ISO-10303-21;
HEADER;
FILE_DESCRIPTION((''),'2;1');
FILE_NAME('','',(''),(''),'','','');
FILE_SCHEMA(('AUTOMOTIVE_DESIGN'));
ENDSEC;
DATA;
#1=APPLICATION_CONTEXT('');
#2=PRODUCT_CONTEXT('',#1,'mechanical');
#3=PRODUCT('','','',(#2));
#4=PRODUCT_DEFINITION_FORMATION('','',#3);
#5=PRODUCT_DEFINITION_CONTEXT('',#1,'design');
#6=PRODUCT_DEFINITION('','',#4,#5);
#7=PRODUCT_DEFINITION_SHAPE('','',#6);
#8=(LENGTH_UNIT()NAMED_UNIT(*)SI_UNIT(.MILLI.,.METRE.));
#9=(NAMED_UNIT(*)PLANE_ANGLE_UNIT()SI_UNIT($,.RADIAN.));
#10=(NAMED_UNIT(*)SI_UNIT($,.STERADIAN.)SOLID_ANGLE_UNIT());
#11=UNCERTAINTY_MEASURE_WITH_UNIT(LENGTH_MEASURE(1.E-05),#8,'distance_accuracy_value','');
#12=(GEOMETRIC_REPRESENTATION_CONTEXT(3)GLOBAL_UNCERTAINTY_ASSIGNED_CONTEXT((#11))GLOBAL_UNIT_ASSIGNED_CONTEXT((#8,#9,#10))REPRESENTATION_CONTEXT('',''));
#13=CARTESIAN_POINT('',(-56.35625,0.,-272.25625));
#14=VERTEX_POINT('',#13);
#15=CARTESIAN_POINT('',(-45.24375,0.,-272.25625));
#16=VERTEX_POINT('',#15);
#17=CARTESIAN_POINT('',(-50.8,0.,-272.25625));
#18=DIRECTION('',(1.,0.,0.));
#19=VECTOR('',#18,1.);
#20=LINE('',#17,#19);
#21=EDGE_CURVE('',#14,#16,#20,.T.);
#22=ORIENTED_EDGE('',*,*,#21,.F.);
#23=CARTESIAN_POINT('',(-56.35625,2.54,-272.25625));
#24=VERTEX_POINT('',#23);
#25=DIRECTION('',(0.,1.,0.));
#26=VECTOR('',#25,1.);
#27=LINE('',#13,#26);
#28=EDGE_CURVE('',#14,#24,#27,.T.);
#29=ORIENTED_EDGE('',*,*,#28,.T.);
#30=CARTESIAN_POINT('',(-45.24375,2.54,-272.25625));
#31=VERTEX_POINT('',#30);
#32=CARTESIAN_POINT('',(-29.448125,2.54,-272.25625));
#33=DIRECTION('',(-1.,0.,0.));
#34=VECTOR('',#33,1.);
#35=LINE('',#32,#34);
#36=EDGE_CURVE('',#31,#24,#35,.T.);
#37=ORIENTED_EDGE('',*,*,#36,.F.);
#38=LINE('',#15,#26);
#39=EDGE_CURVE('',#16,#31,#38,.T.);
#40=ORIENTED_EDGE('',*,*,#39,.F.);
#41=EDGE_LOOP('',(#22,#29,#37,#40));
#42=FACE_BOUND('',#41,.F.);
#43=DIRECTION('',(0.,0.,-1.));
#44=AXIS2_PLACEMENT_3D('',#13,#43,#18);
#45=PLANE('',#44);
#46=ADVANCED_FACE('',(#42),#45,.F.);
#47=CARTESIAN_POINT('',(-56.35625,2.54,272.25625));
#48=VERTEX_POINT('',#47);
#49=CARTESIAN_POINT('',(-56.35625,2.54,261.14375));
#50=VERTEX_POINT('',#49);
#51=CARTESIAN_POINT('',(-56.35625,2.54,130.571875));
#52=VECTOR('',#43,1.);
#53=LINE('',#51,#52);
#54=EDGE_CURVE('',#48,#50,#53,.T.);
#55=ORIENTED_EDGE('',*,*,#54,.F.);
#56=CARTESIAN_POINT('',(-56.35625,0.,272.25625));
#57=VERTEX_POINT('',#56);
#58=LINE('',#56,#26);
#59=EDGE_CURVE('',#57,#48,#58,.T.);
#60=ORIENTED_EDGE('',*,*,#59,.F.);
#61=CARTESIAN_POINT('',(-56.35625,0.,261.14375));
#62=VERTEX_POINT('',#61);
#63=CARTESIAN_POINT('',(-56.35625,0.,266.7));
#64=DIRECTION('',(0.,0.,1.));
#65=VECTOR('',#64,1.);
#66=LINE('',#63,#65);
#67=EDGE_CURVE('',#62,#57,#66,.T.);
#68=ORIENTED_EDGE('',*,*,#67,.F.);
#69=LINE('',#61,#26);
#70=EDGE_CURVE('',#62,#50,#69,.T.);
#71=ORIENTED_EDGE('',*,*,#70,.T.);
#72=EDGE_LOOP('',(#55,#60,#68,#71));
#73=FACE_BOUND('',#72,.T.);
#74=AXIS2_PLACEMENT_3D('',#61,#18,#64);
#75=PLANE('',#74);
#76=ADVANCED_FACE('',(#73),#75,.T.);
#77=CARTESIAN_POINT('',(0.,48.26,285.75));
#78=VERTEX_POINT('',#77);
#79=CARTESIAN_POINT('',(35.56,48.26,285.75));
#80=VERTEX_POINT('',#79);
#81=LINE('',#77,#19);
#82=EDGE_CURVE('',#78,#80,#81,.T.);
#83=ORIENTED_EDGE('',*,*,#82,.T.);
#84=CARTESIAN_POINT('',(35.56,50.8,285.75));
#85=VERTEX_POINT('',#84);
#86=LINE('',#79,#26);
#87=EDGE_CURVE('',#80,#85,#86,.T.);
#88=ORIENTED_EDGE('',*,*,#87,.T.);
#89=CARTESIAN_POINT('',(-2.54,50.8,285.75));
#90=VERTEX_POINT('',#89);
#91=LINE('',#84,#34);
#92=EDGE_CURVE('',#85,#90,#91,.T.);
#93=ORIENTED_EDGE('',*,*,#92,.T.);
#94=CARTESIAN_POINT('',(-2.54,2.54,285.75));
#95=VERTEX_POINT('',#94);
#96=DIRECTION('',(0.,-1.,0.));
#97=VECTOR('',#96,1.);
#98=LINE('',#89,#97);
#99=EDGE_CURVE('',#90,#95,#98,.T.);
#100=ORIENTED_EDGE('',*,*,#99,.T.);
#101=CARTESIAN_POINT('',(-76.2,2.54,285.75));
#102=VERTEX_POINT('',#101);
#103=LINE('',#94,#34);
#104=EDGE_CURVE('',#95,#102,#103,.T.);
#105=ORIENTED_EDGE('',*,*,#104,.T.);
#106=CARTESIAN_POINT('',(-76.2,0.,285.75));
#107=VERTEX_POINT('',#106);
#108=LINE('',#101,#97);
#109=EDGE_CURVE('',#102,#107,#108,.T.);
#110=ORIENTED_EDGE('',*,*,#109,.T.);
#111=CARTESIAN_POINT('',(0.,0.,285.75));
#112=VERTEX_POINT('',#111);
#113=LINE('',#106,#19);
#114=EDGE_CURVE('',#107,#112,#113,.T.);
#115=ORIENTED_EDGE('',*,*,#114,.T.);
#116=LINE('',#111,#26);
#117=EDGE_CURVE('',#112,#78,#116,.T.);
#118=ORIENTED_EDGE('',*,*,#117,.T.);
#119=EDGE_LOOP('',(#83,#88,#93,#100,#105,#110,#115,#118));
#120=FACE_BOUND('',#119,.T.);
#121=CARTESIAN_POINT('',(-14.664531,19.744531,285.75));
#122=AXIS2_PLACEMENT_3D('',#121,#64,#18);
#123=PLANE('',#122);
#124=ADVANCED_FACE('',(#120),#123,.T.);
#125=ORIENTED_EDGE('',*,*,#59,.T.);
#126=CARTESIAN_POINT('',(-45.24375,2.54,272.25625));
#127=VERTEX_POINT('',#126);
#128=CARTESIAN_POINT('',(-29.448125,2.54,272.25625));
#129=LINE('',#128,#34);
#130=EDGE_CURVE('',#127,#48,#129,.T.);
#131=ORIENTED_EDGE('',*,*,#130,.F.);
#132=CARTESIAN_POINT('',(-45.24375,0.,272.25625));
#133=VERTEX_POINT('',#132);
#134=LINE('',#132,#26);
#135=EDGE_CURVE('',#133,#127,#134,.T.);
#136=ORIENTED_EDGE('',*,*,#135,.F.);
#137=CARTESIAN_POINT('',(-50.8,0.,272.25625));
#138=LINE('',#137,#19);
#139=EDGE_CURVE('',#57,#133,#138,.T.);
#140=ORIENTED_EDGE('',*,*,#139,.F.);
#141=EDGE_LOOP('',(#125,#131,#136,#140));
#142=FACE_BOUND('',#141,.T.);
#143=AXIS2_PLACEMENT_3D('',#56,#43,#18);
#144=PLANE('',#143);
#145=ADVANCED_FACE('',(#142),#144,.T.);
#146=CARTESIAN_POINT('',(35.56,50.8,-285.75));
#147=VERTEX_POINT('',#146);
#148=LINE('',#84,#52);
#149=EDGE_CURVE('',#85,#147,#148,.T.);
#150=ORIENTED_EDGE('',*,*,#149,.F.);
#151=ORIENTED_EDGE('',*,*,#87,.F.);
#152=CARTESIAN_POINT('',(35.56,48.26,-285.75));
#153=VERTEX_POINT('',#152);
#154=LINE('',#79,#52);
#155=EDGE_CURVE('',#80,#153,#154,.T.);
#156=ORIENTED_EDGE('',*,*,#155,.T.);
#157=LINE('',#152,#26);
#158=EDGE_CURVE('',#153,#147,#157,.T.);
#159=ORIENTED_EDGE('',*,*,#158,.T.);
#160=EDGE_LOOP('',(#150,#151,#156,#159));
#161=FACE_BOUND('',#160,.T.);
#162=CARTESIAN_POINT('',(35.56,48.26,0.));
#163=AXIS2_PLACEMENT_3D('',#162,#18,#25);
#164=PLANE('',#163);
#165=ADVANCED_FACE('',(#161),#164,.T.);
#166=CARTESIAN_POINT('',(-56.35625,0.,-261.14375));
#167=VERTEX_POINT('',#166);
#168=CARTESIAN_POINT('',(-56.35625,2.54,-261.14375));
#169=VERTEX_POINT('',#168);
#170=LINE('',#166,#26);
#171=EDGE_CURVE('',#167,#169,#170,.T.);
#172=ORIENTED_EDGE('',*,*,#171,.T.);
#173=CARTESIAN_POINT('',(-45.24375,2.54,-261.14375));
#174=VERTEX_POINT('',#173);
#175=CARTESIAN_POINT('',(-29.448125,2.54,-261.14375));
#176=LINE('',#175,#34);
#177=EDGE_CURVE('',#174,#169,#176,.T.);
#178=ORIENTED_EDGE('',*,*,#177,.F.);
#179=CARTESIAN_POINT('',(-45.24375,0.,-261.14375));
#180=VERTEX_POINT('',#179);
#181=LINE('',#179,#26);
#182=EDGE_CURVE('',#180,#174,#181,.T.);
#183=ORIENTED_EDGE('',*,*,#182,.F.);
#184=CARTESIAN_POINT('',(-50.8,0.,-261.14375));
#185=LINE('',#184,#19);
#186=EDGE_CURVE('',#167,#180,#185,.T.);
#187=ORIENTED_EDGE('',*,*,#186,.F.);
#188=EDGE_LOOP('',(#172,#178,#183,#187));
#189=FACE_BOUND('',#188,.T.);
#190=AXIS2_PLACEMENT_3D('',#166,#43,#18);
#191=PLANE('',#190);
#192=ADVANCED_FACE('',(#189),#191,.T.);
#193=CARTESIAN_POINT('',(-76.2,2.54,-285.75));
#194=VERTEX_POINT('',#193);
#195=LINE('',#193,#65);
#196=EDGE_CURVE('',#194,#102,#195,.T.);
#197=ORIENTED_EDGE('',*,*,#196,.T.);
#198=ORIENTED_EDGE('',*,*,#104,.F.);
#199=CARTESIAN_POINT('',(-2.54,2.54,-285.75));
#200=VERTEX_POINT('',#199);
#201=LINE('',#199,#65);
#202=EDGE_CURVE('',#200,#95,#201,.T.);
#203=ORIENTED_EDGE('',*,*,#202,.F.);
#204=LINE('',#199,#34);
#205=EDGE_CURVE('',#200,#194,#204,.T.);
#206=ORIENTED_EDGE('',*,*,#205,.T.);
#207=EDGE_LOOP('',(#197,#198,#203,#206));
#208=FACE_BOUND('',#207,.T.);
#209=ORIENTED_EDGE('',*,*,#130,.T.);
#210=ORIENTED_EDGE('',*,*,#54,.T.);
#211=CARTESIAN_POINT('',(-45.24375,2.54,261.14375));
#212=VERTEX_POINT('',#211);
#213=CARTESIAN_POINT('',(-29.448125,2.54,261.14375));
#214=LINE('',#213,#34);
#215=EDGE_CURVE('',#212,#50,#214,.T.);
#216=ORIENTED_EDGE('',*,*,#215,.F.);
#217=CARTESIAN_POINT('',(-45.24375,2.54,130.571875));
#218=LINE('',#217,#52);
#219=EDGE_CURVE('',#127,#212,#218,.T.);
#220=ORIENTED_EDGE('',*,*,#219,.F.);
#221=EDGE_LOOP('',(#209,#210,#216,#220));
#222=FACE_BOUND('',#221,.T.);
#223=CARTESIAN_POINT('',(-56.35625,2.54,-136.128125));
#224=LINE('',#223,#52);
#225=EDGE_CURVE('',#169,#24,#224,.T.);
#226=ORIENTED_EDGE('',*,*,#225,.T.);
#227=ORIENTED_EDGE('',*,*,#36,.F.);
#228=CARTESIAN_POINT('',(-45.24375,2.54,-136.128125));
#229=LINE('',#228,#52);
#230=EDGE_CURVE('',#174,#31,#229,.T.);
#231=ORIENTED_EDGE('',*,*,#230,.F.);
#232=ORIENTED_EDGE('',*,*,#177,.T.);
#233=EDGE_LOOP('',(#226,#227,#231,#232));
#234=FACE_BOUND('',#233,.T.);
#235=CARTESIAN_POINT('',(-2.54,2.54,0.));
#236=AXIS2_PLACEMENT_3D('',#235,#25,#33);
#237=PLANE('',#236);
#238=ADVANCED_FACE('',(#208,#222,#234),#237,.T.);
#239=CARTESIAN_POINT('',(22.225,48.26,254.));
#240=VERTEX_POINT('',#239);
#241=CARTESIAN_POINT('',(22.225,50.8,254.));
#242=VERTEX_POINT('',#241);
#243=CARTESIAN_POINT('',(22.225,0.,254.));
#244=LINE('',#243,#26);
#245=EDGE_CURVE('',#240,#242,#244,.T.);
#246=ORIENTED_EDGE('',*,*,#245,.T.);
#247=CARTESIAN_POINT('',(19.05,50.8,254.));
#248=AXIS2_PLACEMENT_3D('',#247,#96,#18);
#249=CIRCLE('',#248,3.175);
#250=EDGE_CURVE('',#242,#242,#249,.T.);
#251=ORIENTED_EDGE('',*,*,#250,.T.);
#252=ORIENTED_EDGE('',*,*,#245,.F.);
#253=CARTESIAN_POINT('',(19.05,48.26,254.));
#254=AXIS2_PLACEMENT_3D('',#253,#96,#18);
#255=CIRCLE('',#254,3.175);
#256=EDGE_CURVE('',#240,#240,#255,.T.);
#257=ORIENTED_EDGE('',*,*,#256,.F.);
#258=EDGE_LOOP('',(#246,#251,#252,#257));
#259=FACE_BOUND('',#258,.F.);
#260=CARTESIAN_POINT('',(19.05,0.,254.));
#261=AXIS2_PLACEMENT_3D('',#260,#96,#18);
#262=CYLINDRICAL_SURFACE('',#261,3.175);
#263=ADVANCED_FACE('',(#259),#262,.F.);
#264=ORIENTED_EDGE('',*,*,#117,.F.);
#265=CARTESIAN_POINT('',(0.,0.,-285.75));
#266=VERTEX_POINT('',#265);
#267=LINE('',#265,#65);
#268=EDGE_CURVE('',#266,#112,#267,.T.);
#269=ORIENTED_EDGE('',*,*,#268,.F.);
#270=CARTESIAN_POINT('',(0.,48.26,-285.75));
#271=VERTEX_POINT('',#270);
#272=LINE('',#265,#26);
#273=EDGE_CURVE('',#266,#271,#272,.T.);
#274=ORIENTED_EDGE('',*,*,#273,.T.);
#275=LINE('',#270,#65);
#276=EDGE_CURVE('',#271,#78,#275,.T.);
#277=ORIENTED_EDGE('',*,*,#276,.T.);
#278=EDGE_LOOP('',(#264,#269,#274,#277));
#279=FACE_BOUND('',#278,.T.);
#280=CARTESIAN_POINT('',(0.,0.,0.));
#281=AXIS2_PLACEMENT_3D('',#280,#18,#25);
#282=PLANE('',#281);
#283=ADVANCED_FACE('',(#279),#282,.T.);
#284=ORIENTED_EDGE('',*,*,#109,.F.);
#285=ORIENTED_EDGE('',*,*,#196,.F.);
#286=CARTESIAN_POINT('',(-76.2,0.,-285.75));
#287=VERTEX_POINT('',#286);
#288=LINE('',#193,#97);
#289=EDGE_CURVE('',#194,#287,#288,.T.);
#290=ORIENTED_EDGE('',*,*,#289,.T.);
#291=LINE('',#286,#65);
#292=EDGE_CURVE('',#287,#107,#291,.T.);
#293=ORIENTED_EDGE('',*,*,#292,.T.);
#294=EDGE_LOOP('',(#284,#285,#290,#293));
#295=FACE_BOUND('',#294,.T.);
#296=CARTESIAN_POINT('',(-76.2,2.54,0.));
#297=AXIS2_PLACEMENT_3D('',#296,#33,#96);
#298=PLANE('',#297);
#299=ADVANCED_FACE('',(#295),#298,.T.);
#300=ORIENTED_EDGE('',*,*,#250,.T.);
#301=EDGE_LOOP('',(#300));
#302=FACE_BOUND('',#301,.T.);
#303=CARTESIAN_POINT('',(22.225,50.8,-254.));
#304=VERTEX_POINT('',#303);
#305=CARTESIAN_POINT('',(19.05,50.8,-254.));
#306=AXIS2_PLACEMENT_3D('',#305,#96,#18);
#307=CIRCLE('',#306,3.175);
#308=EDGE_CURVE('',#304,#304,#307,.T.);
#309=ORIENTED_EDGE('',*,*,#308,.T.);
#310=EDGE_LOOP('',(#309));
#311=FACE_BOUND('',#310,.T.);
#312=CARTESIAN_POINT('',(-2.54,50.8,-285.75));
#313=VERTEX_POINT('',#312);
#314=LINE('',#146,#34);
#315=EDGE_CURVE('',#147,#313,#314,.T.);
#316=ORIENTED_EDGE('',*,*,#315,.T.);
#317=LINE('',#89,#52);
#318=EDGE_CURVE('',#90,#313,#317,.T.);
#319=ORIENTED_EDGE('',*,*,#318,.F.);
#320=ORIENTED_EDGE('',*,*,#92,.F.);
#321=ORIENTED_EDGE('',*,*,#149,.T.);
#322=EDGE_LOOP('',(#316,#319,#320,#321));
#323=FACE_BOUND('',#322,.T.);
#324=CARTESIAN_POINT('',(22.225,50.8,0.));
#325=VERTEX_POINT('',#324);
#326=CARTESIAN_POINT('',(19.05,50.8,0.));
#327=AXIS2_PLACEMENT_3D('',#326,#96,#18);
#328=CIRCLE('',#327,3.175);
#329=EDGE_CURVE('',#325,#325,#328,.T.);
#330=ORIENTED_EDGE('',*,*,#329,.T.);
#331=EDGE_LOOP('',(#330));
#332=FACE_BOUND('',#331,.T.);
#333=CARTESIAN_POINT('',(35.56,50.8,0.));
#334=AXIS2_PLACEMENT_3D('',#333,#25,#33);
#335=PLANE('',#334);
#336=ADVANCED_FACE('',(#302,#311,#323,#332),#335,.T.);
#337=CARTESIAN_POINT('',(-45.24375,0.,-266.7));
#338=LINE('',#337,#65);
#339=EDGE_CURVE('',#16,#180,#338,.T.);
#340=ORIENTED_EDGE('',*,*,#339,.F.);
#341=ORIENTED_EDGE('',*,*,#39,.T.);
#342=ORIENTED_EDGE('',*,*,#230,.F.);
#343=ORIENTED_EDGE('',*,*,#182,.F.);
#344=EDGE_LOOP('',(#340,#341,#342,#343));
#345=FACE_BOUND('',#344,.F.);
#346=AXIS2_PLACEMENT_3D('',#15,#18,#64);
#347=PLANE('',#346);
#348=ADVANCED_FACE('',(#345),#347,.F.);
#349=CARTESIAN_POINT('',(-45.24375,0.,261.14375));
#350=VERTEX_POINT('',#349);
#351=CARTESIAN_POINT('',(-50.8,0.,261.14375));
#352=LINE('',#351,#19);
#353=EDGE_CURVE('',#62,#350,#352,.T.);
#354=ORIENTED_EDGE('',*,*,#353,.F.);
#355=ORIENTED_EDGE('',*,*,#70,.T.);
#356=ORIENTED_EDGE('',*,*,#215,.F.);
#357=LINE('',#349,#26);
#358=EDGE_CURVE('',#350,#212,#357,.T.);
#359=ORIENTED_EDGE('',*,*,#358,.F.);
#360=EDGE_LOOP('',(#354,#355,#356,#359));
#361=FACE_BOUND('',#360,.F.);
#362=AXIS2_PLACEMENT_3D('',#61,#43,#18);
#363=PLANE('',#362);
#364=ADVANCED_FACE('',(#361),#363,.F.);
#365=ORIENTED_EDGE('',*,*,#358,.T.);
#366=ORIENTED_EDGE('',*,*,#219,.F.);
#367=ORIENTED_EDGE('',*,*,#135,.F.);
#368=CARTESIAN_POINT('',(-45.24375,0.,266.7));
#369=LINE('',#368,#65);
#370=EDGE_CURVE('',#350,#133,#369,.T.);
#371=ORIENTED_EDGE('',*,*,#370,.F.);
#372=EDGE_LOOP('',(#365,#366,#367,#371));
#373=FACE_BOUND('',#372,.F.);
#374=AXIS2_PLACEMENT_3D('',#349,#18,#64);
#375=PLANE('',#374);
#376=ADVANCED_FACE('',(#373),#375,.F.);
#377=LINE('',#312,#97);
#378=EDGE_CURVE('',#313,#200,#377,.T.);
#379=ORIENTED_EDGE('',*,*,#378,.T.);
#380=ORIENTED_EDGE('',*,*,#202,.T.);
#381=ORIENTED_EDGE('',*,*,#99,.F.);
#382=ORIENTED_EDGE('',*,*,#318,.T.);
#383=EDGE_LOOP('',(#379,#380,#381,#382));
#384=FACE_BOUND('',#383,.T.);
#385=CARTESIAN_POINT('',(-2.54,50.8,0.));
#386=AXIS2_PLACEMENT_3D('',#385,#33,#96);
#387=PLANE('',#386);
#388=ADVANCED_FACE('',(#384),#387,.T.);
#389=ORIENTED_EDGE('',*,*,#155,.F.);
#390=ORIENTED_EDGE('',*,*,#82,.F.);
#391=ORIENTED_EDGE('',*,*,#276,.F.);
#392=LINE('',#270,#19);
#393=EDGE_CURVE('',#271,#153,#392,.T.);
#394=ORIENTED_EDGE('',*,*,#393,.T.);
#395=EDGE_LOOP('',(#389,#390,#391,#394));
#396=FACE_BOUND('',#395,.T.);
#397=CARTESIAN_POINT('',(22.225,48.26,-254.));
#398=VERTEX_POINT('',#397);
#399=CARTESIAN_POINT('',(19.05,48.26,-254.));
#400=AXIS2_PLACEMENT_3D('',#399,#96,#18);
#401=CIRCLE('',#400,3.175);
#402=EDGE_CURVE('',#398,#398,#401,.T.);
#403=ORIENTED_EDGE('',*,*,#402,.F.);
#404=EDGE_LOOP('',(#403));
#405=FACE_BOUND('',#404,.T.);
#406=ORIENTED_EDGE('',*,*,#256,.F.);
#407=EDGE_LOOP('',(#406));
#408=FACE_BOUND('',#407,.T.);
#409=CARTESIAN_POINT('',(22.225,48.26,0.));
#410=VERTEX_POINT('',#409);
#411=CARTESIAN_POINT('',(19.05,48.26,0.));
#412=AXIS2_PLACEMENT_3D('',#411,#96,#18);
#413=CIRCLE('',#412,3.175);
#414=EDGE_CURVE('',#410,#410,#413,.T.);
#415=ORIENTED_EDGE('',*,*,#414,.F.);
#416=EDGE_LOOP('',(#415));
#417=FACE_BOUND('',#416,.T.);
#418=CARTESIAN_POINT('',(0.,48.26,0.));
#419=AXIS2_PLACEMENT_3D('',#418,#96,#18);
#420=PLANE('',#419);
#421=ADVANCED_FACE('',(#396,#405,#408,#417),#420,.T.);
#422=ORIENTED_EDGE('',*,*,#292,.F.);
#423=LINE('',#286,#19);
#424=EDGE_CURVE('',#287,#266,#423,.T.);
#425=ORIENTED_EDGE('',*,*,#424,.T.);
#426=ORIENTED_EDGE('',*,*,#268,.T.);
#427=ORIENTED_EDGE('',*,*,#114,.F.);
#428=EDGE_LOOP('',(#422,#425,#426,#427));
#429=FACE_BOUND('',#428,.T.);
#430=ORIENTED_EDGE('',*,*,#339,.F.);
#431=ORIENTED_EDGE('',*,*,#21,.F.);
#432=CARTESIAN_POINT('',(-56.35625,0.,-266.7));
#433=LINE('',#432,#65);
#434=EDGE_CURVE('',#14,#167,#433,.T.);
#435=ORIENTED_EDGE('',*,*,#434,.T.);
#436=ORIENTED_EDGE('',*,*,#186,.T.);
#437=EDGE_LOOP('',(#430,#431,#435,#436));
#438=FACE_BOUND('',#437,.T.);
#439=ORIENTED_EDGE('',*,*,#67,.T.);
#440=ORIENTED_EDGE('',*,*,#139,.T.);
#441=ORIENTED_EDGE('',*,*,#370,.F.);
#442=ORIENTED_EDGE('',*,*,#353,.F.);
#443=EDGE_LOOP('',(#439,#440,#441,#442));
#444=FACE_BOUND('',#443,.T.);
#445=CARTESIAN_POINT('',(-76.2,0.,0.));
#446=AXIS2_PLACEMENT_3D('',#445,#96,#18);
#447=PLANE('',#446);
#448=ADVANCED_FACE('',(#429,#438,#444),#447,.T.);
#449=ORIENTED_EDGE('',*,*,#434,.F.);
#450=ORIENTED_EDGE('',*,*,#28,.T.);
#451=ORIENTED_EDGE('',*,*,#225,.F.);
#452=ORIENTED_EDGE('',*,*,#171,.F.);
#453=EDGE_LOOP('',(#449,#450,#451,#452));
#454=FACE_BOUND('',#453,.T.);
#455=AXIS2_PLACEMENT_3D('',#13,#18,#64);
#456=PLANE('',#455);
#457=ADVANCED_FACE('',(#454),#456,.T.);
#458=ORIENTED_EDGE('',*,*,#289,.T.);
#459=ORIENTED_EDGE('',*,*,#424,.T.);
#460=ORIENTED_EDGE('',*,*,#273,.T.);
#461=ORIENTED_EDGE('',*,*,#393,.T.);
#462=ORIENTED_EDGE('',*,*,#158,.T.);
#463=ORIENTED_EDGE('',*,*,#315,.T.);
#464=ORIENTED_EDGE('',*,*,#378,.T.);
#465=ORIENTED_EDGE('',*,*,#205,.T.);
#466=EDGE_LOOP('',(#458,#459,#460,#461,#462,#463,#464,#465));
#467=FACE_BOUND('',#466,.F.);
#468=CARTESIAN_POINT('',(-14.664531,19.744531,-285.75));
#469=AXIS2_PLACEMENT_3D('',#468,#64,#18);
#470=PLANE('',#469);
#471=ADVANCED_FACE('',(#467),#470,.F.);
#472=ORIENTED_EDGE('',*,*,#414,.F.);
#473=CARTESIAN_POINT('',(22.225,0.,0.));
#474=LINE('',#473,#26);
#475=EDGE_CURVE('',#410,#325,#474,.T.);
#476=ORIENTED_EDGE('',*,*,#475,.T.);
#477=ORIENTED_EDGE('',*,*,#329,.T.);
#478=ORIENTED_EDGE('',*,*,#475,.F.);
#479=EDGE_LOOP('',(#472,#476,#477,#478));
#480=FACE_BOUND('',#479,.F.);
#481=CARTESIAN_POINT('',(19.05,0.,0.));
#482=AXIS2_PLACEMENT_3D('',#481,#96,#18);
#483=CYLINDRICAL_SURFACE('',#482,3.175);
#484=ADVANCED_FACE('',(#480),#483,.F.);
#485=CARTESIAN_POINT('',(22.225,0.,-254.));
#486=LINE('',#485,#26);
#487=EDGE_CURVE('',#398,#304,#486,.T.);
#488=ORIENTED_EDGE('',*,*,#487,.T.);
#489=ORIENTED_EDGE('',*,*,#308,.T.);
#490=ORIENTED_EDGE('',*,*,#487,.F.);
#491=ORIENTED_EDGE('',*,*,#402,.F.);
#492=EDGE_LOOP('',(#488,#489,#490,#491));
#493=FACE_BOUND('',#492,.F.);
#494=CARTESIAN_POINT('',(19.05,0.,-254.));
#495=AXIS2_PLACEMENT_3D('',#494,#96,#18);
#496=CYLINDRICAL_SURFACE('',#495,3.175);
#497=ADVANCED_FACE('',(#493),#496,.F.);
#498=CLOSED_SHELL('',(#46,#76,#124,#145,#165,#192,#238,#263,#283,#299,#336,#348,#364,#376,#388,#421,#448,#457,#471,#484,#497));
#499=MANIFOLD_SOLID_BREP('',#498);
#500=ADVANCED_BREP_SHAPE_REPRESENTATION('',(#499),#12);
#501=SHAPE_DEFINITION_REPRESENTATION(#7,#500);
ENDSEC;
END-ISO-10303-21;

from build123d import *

# Parameters (mm, degrees)
F1_DEPTH = 285.75
F2_W     = 11.1125
F2_H     = 11.1125
F2_R     = 3.175
F3_DEPTH = 50.801


with BuildPart() as f1:
    # F0 (on Top) → F1 (new body, symmetric)
    with BuildSketch(Plane.XY):
        Polygon((-2.54, 50.8), (-2.54, 2.54), (-76.2, 2.54), (-76.2, 0), (0, 0), (0, 48.26), (35.56, 48.26), (35.56, 50.8), align=None)
    extrude(amount=F1_DEPTH, both=True)

    # F2 (on face) → F3 (cut, through all)
    with BuildSketch(Plane.XZ):
        with Locations((-50.8, 266.7)):
            Rectangle(F2_W, F2_H)
        with Locations((-50.8, -266.7)):
            Rectangle(F2_W, F2_H)
        with Locations((19.05, 254)):
            Circle(F2_R)
        with Locations((19.05, 0)):
            Circle(F2_R)
        with Locations((19.05, -254)):
            Circle(F2_R)
    extrude(amount=-F3_DEPTH, mode=Mode.SUBTRACT)


solid = f1.part
